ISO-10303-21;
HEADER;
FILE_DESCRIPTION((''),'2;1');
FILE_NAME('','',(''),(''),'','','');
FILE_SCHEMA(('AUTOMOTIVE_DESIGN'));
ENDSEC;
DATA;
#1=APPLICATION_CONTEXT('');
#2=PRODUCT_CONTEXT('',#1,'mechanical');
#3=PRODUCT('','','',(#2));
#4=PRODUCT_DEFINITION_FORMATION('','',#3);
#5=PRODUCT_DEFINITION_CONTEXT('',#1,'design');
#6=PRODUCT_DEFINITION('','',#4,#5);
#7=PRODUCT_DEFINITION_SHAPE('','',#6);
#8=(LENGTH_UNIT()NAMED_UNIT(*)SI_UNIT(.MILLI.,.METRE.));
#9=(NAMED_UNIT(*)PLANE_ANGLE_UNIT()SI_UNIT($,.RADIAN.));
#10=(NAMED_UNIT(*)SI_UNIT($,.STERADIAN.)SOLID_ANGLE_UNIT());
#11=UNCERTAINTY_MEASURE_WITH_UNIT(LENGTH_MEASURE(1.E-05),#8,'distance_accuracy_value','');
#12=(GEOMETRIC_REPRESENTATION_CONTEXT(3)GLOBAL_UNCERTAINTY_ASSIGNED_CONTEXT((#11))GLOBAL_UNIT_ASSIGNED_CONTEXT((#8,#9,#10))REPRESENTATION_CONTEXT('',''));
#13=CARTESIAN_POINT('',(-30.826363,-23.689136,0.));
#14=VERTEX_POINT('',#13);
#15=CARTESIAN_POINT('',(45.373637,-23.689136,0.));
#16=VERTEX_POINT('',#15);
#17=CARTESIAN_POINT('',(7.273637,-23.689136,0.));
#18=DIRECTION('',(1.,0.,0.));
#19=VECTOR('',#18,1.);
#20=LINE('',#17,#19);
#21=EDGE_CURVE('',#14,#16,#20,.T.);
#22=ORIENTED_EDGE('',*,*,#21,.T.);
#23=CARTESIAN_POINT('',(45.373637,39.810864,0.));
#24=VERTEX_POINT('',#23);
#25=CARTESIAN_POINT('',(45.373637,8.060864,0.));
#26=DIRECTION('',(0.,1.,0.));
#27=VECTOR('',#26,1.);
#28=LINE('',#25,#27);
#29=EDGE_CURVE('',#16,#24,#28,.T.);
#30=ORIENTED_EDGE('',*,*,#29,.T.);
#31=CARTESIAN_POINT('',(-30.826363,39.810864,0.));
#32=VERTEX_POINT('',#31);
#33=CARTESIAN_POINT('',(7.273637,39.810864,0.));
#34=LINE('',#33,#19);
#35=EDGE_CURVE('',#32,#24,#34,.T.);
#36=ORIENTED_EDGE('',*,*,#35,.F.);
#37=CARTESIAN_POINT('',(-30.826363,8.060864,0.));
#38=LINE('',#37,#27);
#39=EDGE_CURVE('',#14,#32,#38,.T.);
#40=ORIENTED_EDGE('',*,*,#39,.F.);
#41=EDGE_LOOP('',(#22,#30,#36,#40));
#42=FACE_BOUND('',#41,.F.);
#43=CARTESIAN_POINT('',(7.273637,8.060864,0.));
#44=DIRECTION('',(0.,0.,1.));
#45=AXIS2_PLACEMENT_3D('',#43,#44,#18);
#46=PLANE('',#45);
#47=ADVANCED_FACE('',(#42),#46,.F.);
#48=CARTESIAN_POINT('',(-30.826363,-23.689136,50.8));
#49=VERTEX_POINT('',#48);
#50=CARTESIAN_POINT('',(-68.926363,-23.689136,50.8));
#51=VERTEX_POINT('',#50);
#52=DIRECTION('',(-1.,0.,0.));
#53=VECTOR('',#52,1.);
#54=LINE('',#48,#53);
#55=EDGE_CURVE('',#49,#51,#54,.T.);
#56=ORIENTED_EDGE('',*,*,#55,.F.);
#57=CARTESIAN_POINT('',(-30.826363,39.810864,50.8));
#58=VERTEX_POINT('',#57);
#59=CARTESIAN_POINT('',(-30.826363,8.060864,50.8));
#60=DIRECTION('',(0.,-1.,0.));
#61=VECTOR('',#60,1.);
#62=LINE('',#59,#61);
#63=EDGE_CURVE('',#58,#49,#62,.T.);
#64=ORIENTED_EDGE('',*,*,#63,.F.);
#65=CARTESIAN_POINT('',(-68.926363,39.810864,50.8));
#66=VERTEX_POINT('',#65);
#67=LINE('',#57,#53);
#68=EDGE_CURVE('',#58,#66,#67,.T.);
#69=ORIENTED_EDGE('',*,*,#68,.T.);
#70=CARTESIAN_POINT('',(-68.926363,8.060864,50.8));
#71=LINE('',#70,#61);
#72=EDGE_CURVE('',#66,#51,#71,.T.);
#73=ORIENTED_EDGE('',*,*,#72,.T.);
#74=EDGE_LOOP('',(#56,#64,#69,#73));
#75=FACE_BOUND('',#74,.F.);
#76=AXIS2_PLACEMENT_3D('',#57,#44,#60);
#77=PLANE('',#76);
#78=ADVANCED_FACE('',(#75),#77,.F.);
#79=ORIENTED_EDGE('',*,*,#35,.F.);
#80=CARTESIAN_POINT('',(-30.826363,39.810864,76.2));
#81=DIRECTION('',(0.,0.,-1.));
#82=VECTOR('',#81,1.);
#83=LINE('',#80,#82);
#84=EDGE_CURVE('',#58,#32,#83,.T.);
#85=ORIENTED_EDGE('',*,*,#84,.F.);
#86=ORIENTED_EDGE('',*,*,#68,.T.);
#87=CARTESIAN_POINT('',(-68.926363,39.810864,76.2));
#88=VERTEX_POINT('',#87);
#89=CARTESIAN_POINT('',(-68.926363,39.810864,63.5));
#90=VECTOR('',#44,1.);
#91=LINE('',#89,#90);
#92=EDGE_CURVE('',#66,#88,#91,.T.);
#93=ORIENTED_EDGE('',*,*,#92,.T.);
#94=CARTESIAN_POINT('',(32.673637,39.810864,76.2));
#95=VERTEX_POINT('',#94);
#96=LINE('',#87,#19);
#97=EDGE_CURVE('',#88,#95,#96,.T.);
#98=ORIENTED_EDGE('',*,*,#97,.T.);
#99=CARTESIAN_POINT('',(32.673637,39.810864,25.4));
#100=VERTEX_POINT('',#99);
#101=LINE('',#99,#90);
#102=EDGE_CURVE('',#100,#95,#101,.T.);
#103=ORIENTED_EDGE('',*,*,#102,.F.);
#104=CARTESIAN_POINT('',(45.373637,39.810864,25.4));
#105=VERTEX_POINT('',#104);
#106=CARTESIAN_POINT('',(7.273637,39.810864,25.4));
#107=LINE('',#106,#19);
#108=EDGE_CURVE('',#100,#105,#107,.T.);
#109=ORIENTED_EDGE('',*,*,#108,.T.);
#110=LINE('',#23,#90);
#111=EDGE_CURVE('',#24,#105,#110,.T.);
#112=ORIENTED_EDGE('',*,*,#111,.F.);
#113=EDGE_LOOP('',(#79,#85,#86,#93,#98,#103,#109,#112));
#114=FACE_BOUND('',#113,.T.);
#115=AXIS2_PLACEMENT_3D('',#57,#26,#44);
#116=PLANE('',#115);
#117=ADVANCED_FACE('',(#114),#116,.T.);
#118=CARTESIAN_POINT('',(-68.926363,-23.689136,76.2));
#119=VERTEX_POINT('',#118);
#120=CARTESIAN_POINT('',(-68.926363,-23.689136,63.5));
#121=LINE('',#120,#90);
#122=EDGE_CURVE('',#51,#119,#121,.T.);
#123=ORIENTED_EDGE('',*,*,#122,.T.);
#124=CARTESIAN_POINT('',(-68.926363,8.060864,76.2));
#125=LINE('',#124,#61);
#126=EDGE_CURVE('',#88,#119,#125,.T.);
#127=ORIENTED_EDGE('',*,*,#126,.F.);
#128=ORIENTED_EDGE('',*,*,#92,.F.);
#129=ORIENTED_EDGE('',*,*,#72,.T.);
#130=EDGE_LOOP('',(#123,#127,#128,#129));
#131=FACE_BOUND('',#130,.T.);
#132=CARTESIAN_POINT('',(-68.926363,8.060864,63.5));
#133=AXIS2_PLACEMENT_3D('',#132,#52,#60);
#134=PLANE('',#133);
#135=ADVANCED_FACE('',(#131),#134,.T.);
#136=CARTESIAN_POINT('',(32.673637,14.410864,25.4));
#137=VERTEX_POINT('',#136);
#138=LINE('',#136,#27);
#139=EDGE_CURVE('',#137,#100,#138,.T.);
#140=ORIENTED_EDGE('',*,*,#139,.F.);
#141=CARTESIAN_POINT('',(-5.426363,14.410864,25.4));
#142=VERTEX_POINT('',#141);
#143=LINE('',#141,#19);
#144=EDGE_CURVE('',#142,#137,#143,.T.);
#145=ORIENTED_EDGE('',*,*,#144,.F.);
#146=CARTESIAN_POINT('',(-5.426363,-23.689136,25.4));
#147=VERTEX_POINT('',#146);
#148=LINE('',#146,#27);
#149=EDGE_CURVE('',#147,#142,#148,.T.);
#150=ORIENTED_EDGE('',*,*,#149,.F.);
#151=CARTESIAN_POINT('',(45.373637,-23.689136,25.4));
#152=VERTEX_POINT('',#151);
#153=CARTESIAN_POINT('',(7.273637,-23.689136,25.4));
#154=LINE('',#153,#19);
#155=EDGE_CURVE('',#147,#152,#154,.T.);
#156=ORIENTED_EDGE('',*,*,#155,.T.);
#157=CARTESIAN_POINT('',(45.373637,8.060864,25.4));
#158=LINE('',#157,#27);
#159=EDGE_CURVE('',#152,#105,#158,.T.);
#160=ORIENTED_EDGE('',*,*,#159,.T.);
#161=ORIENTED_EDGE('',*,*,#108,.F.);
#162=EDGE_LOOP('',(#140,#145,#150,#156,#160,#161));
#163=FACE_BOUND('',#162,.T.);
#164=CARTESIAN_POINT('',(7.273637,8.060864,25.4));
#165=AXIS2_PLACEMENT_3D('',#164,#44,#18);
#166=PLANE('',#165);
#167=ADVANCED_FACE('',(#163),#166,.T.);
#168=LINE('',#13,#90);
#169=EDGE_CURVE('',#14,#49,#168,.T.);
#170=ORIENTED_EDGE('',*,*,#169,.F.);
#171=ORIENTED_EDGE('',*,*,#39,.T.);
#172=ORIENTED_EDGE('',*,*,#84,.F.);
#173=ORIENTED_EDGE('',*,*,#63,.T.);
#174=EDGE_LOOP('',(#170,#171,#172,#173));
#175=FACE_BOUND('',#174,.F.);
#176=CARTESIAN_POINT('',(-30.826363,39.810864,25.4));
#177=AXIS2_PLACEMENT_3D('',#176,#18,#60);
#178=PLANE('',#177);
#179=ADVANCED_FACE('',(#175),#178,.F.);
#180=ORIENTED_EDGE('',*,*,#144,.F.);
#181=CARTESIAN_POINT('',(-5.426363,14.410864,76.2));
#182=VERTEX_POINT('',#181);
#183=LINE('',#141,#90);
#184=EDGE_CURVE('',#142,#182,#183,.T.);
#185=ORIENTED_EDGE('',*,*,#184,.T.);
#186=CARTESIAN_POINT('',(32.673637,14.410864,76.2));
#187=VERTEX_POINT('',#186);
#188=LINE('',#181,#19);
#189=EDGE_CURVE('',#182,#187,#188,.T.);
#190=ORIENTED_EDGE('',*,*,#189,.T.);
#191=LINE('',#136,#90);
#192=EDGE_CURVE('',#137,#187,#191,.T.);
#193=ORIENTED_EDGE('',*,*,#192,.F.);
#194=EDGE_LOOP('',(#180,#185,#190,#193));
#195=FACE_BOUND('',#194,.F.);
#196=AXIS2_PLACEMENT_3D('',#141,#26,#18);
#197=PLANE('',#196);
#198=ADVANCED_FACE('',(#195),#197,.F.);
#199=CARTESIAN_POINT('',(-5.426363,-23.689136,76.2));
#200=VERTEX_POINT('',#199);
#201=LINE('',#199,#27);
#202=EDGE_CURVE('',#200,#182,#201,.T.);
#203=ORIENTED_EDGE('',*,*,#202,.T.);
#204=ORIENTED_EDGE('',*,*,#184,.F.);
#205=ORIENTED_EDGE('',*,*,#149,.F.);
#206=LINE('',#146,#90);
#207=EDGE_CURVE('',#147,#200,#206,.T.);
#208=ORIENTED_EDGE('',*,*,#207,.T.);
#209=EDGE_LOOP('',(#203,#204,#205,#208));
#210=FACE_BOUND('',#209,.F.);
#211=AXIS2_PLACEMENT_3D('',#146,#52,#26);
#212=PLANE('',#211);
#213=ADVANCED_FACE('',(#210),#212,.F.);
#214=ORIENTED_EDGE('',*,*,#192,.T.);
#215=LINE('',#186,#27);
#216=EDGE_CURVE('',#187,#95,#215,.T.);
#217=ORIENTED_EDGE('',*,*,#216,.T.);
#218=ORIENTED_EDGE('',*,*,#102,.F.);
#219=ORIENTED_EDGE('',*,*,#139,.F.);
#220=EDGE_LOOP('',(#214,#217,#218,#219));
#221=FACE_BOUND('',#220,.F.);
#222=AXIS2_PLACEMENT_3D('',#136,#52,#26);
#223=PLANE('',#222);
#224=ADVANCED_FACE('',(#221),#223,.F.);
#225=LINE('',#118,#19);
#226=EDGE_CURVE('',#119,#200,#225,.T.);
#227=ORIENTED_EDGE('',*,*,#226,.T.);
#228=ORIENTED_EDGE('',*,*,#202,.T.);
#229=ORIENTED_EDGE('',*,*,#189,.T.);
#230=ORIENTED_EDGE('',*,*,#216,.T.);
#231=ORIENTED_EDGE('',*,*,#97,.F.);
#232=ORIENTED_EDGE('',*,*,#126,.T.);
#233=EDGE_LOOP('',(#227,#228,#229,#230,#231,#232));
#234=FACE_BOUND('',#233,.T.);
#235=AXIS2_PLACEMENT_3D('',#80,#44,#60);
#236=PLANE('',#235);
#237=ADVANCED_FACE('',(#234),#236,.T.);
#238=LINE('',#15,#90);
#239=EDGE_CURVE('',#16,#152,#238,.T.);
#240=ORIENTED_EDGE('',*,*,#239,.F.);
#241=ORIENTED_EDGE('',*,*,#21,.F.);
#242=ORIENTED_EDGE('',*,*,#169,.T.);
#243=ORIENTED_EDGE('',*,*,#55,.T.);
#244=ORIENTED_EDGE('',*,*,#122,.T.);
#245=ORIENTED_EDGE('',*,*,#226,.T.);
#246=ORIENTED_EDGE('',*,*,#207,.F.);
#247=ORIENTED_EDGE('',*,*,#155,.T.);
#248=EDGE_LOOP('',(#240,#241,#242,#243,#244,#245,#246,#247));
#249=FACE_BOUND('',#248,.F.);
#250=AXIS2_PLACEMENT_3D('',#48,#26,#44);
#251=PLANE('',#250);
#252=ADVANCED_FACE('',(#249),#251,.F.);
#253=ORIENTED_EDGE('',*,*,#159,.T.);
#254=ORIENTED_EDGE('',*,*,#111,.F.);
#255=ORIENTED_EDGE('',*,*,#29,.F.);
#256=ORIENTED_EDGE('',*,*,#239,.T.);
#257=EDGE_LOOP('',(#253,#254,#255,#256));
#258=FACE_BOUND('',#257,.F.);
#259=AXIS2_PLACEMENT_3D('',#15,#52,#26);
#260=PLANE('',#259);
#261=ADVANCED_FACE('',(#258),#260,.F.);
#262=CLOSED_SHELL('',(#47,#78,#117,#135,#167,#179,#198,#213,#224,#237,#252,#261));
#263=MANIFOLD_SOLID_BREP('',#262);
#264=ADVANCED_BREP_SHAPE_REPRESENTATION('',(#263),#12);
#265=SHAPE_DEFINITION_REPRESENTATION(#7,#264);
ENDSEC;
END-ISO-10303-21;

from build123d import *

# Parameters (mm, degrees)
F0_W     = 76.2
F0_H     = 63.5
F1_DEPTH = 25.4
F3_DEPTH = 50.8
F4_W     = 63.5
F4_H     = 25.4
F5_DEPTH = 38.1


with BuildPart() as f1:
    # F0 (on Top) → F1 (new body)
    with BuildSketch(Plane.XY):
        with Locations((7.273637, 8.060864)):
            Rectangle(F0_W, F0_H)
    extrude(amount=F1_DEPTH)

    # F2 (on face) → F3 (join)
    with BuildSketch(Plane.XY.offset(25.4)):
        Polygon((-30.826363, 39.810864), (-30.826363, -23.689136), (-5.426363, -23.689136), (-5.426363, 14.410864), (32.673637, 14.410864), (32.673637, 39.810864), align=None)
    extrude(amount=F3_DEPTH)

    # F4 (on face) → F5 (join)
    with BuildSketch(Plane(origin=(-30.826363, 0, 0), x_dir=(0, -1, 0), z_dir=(-1, 0, 0))):
        with Locations((-8.060864, 63.5)):
            Rectangle(F4_W, F4_H)
    extrude(amount=F5_DEPTH)


solid = f1.part
